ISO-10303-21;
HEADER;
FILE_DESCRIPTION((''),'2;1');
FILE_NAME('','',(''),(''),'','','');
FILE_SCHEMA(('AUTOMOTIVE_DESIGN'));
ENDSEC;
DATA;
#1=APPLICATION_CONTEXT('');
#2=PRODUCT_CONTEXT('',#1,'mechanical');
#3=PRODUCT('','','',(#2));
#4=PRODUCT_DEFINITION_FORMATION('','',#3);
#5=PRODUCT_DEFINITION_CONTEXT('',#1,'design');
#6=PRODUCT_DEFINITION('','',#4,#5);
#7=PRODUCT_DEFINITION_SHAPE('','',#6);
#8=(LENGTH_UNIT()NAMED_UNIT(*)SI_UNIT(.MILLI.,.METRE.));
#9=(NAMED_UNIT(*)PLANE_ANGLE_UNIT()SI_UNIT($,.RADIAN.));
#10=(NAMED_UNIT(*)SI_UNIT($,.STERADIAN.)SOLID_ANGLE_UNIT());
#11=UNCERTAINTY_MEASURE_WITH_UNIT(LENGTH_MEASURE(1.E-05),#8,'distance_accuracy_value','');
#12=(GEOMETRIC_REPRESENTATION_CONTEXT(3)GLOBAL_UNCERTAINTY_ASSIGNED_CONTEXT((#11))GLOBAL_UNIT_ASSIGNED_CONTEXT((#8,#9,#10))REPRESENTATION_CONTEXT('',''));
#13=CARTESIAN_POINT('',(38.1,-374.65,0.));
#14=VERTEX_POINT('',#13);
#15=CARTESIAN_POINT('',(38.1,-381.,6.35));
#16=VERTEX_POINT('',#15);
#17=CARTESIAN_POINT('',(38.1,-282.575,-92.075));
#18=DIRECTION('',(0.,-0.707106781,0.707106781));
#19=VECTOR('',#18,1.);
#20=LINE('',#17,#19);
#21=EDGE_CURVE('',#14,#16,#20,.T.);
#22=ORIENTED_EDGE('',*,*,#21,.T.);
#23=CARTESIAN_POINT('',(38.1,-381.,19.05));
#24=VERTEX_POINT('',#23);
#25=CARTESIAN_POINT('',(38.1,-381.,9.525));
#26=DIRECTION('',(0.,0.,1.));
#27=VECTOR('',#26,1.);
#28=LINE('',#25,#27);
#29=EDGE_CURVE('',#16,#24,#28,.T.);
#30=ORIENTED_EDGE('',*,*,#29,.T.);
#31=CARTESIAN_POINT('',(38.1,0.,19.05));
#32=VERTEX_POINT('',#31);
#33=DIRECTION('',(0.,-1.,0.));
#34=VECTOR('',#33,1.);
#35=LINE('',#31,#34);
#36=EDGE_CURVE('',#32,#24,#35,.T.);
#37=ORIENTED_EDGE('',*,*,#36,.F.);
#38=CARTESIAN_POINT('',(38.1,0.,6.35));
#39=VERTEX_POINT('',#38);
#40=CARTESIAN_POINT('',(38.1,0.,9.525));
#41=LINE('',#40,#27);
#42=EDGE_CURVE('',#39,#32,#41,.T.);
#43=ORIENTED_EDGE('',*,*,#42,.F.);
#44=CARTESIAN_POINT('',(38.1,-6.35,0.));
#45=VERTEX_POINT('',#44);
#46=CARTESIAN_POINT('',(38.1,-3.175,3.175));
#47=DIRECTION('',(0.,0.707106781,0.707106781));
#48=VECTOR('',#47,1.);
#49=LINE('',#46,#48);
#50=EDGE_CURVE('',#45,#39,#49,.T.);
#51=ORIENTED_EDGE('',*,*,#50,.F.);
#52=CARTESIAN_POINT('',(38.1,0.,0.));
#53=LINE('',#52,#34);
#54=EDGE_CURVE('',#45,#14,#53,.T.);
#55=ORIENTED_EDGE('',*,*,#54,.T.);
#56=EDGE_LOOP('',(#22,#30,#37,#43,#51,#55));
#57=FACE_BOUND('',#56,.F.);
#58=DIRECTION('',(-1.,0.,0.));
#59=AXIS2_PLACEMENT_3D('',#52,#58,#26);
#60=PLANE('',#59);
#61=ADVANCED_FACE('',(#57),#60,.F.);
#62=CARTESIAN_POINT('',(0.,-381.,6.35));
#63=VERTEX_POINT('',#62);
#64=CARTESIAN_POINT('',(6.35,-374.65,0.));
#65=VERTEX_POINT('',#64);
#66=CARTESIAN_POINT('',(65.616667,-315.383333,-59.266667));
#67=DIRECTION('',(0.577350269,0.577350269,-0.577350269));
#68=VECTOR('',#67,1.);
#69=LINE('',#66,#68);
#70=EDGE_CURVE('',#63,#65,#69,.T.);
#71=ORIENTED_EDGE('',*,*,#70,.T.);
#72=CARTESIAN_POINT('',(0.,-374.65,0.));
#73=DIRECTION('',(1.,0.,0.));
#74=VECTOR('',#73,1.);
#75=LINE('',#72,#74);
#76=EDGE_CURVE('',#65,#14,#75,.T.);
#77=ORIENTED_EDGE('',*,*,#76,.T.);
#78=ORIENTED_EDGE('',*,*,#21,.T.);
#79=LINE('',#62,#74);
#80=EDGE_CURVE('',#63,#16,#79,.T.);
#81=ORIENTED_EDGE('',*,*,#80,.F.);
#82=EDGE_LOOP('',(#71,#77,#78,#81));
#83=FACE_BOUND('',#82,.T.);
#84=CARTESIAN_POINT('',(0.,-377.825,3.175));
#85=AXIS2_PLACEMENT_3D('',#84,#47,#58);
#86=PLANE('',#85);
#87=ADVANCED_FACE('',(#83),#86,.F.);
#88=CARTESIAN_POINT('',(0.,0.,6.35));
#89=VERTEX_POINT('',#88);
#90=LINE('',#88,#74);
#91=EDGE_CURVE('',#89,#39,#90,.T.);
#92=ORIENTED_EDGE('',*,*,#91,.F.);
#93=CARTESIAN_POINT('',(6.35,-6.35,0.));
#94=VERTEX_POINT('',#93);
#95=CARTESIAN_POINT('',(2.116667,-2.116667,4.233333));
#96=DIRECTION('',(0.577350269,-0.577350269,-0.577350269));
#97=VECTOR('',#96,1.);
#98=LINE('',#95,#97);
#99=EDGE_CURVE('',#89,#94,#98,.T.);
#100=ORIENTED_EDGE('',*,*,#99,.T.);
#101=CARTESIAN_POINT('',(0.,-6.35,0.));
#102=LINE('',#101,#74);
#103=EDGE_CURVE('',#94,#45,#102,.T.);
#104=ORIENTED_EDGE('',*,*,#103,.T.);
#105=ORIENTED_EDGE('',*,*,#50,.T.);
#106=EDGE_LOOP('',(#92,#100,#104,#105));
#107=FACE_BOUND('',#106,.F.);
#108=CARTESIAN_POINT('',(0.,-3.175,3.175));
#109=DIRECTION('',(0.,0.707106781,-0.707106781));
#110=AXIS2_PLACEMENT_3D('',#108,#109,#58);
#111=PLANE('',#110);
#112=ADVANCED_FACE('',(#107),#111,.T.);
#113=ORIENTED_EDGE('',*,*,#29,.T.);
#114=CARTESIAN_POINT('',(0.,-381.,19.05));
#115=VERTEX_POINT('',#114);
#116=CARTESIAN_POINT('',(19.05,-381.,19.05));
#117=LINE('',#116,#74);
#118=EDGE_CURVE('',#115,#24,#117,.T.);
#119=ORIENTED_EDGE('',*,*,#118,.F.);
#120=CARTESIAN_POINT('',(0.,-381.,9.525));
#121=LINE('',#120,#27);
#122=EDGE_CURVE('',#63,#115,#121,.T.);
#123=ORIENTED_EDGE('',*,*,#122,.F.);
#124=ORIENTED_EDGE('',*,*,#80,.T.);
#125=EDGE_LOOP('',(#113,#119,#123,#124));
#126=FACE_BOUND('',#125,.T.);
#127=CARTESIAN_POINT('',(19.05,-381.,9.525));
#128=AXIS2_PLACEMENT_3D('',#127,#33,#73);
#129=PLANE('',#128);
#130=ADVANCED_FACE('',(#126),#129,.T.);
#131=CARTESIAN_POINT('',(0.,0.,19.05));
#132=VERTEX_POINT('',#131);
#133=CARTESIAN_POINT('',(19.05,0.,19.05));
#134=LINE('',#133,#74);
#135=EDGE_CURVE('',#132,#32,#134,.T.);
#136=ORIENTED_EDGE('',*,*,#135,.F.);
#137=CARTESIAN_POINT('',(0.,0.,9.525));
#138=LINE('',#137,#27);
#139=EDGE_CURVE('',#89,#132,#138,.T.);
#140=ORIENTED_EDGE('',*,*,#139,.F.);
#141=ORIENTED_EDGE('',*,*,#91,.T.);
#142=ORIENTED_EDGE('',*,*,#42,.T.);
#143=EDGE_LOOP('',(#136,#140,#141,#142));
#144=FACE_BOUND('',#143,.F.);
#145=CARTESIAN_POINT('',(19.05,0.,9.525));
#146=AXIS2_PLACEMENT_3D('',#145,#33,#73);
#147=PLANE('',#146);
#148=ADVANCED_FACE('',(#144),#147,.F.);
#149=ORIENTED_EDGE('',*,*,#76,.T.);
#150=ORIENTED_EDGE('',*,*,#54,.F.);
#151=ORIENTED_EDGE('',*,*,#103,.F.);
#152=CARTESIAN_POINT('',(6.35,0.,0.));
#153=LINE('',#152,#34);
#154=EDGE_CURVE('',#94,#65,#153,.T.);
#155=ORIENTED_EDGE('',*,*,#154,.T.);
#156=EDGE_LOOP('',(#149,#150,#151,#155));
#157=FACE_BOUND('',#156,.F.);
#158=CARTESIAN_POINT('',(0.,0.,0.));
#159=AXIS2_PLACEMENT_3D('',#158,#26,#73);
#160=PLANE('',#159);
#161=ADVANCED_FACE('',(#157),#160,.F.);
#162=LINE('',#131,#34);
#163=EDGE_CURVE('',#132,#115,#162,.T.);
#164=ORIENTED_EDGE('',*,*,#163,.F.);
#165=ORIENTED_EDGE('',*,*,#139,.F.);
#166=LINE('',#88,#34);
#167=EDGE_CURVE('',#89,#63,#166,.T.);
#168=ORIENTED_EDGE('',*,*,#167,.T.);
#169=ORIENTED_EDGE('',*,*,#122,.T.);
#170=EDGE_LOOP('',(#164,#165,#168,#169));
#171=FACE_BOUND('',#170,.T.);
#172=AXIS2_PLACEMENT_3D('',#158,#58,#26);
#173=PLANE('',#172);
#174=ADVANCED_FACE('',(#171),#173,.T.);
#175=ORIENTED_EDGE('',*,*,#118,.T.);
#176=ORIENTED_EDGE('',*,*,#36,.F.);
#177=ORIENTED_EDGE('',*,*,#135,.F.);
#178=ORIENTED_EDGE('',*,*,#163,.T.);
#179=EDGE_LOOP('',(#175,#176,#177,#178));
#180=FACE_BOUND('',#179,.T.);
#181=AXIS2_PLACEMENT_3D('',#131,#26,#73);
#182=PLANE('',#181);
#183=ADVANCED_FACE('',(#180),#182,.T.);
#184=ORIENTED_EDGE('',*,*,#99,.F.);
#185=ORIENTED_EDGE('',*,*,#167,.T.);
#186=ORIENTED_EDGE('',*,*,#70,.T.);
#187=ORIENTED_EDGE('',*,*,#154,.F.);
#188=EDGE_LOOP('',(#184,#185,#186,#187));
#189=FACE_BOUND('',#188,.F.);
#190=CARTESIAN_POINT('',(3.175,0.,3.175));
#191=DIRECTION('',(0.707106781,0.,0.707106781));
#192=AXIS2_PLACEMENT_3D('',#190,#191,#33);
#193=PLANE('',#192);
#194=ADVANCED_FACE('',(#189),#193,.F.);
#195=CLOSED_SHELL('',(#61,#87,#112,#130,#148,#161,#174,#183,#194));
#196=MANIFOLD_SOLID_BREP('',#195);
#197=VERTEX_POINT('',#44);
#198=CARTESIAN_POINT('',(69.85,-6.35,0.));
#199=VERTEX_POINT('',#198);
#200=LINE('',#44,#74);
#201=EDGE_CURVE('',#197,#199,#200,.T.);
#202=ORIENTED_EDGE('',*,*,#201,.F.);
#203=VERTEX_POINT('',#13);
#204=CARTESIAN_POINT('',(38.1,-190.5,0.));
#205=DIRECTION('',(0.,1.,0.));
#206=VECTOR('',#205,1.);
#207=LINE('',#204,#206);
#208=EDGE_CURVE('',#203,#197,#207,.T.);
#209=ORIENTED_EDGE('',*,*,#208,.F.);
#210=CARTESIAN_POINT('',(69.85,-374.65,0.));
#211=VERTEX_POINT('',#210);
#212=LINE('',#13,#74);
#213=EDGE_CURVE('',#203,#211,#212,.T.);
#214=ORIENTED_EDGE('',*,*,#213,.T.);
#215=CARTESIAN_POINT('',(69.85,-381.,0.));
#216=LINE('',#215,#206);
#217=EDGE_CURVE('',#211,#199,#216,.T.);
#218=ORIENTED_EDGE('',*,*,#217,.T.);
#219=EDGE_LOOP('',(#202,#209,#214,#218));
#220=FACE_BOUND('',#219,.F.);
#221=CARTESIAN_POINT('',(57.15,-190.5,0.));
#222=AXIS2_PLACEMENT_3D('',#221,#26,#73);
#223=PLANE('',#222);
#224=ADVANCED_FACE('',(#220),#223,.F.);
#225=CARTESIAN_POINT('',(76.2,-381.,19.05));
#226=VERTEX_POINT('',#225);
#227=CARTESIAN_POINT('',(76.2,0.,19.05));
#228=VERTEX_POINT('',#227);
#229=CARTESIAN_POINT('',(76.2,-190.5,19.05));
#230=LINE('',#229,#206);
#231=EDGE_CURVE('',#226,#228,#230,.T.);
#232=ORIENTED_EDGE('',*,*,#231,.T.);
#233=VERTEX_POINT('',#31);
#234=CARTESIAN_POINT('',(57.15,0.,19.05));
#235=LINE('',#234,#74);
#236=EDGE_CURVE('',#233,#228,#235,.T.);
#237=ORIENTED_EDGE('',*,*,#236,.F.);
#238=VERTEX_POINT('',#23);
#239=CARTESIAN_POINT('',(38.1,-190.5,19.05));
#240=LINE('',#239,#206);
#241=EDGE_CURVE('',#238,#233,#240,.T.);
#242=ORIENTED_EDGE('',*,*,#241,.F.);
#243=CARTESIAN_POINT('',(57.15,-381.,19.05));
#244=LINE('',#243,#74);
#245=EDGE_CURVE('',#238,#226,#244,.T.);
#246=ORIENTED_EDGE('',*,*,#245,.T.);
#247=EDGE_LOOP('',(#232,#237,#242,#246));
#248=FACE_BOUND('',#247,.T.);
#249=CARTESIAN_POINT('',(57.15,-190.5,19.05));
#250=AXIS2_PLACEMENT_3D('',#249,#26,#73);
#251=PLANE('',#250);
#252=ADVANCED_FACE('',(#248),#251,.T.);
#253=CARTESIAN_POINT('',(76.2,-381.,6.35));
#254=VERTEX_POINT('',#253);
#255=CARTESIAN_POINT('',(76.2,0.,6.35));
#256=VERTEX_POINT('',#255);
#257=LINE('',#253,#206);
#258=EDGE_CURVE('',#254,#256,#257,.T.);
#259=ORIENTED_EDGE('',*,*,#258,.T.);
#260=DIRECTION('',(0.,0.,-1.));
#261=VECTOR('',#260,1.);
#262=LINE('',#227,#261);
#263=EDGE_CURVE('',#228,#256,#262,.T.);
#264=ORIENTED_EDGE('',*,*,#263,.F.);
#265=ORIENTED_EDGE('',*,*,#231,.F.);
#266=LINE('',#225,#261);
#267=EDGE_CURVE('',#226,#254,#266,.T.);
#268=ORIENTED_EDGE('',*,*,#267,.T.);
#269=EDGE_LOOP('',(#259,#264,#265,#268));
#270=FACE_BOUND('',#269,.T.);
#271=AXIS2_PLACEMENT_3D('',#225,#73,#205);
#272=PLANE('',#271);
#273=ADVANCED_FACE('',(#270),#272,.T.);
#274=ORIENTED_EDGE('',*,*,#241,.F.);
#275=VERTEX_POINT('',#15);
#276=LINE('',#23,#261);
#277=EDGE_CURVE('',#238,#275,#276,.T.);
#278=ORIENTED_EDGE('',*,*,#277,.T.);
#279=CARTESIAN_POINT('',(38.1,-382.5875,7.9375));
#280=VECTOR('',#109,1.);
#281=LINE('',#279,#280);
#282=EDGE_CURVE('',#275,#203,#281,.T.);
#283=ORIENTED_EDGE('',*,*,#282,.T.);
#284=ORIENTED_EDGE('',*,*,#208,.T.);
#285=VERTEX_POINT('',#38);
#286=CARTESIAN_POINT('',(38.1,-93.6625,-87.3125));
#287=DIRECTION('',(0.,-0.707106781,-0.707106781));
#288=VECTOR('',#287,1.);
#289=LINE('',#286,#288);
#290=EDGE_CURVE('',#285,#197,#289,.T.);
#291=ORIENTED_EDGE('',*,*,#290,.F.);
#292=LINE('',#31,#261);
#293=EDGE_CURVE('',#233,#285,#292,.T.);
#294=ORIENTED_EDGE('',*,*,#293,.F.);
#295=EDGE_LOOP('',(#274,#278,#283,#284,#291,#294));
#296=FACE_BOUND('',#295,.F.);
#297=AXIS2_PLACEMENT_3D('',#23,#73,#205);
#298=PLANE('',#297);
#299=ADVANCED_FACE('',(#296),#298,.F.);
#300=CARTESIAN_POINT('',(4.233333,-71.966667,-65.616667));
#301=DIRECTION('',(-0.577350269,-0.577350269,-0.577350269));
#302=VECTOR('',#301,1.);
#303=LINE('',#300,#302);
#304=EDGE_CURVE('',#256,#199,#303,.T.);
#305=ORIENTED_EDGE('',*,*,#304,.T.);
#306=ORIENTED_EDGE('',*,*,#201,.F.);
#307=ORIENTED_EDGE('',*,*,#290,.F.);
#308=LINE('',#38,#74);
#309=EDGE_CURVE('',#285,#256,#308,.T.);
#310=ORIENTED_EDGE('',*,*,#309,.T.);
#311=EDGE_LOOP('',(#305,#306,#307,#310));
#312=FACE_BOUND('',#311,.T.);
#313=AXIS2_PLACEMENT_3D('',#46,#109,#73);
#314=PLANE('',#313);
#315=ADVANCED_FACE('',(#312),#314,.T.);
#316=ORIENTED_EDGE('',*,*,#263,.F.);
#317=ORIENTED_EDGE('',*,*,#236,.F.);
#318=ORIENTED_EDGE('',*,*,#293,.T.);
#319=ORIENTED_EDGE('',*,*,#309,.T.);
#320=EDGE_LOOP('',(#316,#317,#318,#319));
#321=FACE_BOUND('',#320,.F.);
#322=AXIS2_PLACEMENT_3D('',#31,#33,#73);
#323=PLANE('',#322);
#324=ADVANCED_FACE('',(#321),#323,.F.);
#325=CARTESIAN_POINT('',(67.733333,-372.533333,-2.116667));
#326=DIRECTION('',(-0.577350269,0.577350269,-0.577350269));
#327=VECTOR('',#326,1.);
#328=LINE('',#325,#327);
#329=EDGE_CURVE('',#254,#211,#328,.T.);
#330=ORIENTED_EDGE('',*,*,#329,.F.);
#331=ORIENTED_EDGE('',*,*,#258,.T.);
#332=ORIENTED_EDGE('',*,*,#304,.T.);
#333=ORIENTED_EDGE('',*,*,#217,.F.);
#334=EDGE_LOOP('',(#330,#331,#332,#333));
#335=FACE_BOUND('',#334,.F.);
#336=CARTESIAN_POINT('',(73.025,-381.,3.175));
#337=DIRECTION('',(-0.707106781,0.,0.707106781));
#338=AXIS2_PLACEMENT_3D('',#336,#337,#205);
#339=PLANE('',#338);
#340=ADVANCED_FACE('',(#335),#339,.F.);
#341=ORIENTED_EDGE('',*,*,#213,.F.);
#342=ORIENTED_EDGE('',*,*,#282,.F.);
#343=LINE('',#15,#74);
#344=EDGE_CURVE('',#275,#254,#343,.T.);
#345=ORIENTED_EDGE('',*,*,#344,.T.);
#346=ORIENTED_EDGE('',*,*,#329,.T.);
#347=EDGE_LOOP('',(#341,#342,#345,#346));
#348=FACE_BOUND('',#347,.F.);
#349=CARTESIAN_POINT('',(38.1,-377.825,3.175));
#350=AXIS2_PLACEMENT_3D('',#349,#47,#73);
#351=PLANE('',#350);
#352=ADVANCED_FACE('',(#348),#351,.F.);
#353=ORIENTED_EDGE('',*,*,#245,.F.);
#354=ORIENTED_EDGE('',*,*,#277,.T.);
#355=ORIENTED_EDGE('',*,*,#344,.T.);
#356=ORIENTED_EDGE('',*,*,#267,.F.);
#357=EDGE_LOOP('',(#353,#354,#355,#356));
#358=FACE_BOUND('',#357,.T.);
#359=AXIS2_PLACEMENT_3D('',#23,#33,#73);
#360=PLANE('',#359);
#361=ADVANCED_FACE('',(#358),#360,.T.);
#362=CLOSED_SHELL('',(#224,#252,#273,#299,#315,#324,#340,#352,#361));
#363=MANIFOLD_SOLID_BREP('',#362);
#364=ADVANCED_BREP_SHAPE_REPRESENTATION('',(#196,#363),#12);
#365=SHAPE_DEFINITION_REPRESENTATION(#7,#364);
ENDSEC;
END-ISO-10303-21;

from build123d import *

# Parameters (mm, degrees)
F0_W      = 38.1
F0_H      = 19.05
F1_DEPTH  = 381
F2_W      = 38.1
F2_H      = 381
F3_DEPTH  = 19.05
F4_SIZE   = 6.35
F4_2_SIZE = 6.35


with BuildPart() as f1:
    # F0 (on Front) → F1 (new body)
    with BuildSketch(Plane.XZ):
        with Locations((19.05, 9.525)):
            Rectangle(F0_W, F0_H)
    extrude(amount=F1_DEPTH)

    # F4
    f4_edges = [f1.edges().sort_by_distance(p)[0] for p in [
        (0, -190.5, 0),
        (19.05, -381, 0),
        (19.05, 0, 0),
    ]]
    chamfer(f4_edges, length=F4_SIZE)


with BuildPart() as f3:
    # F2 (on face) → F3 (new body)
    with BuildSketch(Plane.XY.offset(19.05)):
        with Locations((57.15, -190.5)):
            Rectangle(F2_W, F2_H)
    extrude(amount=-F3_DEPTH)

    # F4#2
    f4_2_edges = [f3.edges().sort_by_distance(p)[0] for p in [
        (76.2, -190.5, 0),
        (57.15, -381, 0),
        (57.15, 0, 0),
    ]]
    chamfer(f4_2_edges, length=F4_2_SIZE)


solid = Compound([f1.part, f3.part])
